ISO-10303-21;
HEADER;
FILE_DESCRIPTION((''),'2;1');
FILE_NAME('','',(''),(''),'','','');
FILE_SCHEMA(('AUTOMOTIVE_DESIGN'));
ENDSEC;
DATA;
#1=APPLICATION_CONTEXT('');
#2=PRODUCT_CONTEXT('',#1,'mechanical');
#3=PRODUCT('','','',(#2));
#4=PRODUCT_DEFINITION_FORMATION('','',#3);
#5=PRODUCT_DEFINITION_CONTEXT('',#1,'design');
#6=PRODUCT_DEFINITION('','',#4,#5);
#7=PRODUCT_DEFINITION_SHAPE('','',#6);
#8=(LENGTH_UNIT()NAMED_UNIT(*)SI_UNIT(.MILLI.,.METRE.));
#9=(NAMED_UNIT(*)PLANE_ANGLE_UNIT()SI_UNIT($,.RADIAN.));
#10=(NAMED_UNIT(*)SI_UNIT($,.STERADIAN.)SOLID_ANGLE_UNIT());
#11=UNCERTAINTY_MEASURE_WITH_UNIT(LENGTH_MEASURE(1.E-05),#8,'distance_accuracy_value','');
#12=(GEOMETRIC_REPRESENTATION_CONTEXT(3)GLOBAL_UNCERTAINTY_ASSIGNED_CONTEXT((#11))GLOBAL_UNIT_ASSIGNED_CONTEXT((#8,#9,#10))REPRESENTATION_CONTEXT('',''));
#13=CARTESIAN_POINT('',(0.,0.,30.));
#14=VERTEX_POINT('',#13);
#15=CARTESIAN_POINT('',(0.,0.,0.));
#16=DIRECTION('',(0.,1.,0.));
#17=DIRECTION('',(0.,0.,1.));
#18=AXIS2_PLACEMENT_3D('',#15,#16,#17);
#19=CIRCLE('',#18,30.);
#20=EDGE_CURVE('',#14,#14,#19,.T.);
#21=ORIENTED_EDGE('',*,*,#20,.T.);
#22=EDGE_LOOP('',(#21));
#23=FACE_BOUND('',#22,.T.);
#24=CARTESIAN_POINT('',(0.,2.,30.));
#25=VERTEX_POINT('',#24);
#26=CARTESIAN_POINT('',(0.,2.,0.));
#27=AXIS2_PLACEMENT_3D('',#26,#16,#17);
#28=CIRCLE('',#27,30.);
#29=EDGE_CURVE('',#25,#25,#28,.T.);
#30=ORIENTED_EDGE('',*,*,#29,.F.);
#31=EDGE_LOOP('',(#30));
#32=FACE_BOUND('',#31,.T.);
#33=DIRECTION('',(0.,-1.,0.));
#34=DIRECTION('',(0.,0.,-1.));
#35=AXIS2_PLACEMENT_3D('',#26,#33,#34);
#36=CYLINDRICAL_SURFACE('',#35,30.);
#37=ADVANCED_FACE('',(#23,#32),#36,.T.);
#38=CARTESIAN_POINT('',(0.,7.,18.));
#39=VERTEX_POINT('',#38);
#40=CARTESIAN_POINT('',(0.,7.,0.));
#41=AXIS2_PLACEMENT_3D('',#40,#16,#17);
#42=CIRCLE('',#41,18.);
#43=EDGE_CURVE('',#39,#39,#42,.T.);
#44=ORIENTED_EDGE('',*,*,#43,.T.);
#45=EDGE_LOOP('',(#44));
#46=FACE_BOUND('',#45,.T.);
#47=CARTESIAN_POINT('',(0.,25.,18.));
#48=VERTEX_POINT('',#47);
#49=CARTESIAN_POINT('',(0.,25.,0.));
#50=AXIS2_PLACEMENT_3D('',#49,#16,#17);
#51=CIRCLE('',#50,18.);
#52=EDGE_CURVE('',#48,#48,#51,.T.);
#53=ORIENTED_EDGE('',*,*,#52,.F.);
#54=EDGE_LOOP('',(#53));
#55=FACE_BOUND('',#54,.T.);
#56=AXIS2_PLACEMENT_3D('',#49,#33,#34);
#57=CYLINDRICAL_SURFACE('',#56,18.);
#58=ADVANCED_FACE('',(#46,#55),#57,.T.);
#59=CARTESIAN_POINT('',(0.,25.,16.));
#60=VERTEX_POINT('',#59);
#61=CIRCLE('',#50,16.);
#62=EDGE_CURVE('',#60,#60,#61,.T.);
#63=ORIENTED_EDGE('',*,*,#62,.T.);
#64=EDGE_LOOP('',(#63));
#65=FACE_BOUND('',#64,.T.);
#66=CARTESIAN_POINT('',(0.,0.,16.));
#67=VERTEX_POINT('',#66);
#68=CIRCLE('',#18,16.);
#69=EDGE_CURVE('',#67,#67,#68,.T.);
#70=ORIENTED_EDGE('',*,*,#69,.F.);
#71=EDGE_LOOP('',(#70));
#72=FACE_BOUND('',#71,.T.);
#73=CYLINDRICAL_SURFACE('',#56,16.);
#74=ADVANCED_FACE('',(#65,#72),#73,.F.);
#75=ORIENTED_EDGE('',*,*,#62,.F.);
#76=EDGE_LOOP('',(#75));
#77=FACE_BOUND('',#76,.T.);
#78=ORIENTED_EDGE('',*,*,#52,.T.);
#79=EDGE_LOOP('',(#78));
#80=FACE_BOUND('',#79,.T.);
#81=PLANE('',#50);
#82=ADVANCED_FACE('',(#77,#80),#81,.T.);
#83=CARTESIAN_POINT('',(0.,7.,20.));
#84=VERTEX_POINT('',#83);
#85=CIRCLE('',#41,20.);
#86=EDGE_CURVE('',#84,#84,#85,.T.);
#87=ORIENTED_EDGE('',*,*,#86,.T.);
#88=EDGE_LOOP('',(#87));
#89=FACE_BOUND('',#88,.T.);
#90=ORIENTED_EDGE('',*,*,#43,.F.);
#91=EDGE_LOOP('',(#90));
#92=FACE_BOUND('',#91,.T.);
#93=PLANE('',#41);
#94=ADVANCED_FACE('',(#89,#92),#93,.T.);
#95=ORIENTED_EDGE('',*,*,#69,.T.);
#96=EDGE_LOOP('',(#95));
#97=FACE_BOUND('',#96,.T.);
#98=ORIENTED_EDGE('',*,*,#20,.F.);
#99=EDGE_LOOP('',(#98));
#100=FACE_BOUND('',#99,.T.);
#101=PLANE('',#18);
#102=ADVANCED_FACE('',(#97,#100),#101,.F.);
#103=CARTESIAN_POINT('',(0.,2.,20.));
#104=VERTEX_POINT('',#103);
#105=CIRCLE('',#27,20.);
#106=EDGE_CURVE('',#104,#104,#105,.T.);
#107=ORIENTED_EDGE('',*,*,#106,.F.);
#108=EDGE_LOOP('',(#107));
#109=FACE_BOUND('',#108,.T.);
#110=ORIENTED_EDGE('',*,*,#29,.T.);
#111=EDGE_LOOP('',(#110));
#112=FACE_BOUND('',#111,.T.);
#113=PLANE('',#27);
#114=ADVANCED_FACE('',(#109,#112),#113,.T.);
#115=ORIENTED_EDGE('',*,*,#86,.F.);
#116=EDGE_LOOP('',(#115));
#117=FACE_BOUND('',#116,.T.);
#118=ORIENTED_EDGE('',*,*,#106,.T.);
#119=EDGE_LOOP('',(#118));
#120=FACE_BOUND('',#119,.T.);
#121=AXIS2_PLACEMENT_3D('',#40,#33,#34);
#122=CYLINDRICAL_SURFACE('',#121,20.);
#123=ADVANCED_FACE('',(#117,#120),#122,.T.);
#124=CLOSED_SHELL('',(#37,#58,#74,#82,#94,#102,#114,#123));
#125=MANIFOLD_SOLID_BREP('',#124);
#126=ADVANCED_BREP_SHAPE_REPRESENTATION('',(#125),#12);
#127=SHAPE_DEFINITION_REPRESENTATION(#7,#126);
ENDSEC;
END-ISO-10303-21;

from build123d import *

# Parameters (mm, degrees)
SKETCH1_R           = 30
SKETCH1_R_2         = 20
BOSS_EXTRUDE1_DEPTH = 2
SKETCH2_R           = 20
SKETCH2_R_2         = 18
BOSS_EXTRUDE2_DEPTH = 7
SKETCH3_R           = 18
SKETCH3_R_2         = 16
BOSS_EXTRUDE3_DEPTH = 25


with BuildPart() as part:
    # Sketch1 → Boss-Extrude1 (new body)
    with BuildSketch(Plane(origin=(0, 0, 0), x_dir=(1, 0, 0), z_dir=(0, 1, 0))):
        Circle(SKETCH1_R)
        Circle(SKETCH1_R_2, mode=Mode.SUBTRACT)
    extrude(amount=BOSS_EXTRUDE1_DEPTH)

    # Sketch2 → Boss-Extrude2 (add)
    with BuildSketch(Plane(origin=(0, 0, 0), x_dir=(1, 0, 0), z_dir=(0, 1, 0))):
        Circle(SKETCH2_R)
        Circle(SKETCH2_R_2, mode=Mode.SUBTRACT)
    extrude(amount=BOSS_EXTRUDE2_DEPTH)

    # Sketch3 → Boss-Extrude3 (add)
    with BuildSketch(Plane(origin=(0, 0, 0), x_dir=(1, 0, 0), z_dir=(0, 1, 0))):
        Circle(SKETCH3_R)
        Circle(SKETCH3_R_2, mode=Mode.SUBTRACT)
    extrude(amount=BOSS_EXTRUDE3_DEPTH)


solid = part.part
